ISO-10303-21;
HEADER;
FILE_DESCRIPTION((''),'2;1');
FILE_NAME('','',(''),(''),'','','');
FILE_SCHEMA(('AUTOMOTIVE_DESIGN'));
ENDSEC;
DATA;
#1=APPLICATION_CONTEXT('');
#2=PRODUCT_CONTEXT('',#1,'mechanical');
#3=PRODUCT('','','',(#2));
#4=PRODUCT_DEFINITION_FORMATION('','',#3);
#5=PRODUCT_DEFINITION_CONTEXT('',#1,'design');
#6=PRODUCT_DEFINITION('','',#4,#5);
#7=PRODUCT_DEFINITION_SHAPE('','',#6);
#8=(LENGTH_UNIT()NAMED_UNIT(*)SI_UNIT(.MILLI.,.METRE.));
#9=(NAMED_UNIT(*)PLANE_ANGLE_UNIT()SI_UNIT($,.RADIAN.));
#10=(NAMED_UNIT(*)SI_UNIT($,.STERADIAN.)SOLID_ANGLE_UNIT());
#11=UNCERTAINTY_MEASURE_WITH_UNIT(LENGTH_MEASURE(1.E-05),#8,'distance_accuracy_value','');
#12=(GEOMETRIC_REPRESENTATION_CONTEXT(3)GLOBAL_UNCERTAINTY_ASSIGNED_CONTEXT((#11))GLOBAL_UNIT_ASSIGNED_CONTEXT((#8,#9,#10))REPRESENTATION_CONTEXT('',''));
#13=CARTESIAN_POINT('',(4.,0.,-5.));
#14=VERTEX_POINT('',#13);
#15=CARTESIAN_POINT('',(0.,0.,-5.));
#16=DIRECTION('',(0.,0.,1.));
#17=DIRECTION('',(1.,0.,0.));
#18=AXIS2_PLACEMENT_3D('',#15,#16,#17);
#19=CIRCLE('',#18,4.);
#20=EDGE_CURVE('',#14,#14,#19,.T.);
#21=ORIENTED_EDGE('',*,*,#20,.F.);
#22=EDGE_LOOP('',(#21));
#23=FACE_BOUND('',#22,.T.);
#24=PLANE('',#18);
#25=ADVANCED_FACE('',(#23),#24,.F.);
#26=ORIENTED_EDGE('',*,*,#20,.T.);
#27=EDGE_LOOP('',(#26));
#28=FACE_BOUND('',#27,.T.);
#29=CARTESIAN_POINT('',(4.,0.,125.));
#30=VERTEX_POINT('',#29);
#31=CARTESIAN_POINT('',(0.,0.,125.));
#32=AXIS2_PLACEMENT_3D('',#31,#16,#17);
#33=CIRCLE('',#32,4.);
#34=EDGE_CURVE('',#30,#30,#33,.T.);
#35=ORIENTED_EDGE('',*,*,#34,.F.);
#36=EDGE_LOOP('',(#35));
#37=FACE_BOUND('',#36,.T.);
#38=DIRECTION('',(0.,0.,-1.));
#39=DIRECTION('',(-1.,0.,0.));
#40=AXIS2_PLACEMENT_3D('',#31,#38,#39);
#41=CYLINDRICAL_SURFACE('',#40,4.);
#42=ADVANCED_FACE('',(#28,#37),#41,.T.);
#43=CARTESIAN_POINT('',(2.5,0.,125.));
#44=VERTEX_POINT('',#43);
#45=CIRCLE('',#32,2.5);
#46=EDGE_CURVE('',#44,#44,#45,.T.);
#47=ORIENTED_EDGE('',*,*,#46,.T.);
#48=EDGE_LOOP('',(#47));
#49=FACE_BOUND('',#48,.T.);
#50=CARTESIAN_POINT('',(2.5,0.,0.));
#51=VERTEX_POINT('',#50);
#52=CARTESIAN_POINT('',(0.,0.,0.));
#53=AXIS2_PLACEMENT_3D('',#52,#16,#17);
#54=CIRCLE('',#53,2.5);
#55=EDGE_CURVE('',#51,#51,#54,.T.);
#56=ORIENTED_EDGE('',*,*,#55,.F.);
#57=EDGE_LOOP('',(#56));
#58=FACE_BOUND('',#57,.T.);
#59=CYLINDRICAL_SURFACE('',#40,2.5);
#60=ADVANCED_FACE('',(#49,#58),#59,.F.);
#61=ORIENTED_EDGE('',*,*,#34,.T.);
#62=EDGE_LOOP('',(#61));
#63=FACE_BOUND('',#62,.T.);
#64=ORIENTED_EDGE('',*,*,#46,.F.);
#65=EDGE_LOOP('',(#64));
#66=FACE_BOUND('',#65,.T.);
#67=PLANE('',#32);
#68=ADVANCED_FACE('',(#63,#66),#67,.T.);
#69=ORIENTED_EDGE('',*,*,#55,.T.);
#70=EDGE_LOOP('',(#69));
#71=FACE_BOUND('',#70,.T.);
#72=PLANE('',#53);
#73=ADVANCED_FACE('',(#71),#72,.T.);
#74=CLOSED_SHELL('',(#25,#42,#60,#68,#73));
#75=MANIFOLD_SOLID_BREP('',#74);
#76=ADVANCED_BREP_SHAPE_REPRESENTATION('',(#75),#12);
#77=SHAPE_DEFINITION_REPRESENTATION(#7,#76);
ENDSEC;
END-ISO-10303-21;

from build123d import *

# Parameters (mm, degrees)
SKETCH2_R           = 4
SKETCH2_R_2         = 2.5
BOSS_EXTRUDE1_DEPTH = 125
BOSS_EXTRUDE2_START = -5
SKETCH2_2_R         = 4
BOSS_EXTRUDE2_DEPTH = 5


with BuildPart() as part:
    # Sketch2 → Boss-Extrude1 (new body)
    with BuildSketch(Plane.XY):
        Circle(SKETCH2_R)
        Circle(SKETCH2_R_2, mode=Mode.SUBTRACT)
    extrude(amount=BOSS_EXTRUDE1_DEPTH)

    # Sketch2<2> → Boss-Extrude2 (add)
    with BuildSketch(Plane.XY.offset(BOSS_EXTRUDE2_START)):
        Circle(SKETCH2_2_R)
    extrude(amount=BOSS_EXTRUDE2_DEPTH)


solid = part.part
